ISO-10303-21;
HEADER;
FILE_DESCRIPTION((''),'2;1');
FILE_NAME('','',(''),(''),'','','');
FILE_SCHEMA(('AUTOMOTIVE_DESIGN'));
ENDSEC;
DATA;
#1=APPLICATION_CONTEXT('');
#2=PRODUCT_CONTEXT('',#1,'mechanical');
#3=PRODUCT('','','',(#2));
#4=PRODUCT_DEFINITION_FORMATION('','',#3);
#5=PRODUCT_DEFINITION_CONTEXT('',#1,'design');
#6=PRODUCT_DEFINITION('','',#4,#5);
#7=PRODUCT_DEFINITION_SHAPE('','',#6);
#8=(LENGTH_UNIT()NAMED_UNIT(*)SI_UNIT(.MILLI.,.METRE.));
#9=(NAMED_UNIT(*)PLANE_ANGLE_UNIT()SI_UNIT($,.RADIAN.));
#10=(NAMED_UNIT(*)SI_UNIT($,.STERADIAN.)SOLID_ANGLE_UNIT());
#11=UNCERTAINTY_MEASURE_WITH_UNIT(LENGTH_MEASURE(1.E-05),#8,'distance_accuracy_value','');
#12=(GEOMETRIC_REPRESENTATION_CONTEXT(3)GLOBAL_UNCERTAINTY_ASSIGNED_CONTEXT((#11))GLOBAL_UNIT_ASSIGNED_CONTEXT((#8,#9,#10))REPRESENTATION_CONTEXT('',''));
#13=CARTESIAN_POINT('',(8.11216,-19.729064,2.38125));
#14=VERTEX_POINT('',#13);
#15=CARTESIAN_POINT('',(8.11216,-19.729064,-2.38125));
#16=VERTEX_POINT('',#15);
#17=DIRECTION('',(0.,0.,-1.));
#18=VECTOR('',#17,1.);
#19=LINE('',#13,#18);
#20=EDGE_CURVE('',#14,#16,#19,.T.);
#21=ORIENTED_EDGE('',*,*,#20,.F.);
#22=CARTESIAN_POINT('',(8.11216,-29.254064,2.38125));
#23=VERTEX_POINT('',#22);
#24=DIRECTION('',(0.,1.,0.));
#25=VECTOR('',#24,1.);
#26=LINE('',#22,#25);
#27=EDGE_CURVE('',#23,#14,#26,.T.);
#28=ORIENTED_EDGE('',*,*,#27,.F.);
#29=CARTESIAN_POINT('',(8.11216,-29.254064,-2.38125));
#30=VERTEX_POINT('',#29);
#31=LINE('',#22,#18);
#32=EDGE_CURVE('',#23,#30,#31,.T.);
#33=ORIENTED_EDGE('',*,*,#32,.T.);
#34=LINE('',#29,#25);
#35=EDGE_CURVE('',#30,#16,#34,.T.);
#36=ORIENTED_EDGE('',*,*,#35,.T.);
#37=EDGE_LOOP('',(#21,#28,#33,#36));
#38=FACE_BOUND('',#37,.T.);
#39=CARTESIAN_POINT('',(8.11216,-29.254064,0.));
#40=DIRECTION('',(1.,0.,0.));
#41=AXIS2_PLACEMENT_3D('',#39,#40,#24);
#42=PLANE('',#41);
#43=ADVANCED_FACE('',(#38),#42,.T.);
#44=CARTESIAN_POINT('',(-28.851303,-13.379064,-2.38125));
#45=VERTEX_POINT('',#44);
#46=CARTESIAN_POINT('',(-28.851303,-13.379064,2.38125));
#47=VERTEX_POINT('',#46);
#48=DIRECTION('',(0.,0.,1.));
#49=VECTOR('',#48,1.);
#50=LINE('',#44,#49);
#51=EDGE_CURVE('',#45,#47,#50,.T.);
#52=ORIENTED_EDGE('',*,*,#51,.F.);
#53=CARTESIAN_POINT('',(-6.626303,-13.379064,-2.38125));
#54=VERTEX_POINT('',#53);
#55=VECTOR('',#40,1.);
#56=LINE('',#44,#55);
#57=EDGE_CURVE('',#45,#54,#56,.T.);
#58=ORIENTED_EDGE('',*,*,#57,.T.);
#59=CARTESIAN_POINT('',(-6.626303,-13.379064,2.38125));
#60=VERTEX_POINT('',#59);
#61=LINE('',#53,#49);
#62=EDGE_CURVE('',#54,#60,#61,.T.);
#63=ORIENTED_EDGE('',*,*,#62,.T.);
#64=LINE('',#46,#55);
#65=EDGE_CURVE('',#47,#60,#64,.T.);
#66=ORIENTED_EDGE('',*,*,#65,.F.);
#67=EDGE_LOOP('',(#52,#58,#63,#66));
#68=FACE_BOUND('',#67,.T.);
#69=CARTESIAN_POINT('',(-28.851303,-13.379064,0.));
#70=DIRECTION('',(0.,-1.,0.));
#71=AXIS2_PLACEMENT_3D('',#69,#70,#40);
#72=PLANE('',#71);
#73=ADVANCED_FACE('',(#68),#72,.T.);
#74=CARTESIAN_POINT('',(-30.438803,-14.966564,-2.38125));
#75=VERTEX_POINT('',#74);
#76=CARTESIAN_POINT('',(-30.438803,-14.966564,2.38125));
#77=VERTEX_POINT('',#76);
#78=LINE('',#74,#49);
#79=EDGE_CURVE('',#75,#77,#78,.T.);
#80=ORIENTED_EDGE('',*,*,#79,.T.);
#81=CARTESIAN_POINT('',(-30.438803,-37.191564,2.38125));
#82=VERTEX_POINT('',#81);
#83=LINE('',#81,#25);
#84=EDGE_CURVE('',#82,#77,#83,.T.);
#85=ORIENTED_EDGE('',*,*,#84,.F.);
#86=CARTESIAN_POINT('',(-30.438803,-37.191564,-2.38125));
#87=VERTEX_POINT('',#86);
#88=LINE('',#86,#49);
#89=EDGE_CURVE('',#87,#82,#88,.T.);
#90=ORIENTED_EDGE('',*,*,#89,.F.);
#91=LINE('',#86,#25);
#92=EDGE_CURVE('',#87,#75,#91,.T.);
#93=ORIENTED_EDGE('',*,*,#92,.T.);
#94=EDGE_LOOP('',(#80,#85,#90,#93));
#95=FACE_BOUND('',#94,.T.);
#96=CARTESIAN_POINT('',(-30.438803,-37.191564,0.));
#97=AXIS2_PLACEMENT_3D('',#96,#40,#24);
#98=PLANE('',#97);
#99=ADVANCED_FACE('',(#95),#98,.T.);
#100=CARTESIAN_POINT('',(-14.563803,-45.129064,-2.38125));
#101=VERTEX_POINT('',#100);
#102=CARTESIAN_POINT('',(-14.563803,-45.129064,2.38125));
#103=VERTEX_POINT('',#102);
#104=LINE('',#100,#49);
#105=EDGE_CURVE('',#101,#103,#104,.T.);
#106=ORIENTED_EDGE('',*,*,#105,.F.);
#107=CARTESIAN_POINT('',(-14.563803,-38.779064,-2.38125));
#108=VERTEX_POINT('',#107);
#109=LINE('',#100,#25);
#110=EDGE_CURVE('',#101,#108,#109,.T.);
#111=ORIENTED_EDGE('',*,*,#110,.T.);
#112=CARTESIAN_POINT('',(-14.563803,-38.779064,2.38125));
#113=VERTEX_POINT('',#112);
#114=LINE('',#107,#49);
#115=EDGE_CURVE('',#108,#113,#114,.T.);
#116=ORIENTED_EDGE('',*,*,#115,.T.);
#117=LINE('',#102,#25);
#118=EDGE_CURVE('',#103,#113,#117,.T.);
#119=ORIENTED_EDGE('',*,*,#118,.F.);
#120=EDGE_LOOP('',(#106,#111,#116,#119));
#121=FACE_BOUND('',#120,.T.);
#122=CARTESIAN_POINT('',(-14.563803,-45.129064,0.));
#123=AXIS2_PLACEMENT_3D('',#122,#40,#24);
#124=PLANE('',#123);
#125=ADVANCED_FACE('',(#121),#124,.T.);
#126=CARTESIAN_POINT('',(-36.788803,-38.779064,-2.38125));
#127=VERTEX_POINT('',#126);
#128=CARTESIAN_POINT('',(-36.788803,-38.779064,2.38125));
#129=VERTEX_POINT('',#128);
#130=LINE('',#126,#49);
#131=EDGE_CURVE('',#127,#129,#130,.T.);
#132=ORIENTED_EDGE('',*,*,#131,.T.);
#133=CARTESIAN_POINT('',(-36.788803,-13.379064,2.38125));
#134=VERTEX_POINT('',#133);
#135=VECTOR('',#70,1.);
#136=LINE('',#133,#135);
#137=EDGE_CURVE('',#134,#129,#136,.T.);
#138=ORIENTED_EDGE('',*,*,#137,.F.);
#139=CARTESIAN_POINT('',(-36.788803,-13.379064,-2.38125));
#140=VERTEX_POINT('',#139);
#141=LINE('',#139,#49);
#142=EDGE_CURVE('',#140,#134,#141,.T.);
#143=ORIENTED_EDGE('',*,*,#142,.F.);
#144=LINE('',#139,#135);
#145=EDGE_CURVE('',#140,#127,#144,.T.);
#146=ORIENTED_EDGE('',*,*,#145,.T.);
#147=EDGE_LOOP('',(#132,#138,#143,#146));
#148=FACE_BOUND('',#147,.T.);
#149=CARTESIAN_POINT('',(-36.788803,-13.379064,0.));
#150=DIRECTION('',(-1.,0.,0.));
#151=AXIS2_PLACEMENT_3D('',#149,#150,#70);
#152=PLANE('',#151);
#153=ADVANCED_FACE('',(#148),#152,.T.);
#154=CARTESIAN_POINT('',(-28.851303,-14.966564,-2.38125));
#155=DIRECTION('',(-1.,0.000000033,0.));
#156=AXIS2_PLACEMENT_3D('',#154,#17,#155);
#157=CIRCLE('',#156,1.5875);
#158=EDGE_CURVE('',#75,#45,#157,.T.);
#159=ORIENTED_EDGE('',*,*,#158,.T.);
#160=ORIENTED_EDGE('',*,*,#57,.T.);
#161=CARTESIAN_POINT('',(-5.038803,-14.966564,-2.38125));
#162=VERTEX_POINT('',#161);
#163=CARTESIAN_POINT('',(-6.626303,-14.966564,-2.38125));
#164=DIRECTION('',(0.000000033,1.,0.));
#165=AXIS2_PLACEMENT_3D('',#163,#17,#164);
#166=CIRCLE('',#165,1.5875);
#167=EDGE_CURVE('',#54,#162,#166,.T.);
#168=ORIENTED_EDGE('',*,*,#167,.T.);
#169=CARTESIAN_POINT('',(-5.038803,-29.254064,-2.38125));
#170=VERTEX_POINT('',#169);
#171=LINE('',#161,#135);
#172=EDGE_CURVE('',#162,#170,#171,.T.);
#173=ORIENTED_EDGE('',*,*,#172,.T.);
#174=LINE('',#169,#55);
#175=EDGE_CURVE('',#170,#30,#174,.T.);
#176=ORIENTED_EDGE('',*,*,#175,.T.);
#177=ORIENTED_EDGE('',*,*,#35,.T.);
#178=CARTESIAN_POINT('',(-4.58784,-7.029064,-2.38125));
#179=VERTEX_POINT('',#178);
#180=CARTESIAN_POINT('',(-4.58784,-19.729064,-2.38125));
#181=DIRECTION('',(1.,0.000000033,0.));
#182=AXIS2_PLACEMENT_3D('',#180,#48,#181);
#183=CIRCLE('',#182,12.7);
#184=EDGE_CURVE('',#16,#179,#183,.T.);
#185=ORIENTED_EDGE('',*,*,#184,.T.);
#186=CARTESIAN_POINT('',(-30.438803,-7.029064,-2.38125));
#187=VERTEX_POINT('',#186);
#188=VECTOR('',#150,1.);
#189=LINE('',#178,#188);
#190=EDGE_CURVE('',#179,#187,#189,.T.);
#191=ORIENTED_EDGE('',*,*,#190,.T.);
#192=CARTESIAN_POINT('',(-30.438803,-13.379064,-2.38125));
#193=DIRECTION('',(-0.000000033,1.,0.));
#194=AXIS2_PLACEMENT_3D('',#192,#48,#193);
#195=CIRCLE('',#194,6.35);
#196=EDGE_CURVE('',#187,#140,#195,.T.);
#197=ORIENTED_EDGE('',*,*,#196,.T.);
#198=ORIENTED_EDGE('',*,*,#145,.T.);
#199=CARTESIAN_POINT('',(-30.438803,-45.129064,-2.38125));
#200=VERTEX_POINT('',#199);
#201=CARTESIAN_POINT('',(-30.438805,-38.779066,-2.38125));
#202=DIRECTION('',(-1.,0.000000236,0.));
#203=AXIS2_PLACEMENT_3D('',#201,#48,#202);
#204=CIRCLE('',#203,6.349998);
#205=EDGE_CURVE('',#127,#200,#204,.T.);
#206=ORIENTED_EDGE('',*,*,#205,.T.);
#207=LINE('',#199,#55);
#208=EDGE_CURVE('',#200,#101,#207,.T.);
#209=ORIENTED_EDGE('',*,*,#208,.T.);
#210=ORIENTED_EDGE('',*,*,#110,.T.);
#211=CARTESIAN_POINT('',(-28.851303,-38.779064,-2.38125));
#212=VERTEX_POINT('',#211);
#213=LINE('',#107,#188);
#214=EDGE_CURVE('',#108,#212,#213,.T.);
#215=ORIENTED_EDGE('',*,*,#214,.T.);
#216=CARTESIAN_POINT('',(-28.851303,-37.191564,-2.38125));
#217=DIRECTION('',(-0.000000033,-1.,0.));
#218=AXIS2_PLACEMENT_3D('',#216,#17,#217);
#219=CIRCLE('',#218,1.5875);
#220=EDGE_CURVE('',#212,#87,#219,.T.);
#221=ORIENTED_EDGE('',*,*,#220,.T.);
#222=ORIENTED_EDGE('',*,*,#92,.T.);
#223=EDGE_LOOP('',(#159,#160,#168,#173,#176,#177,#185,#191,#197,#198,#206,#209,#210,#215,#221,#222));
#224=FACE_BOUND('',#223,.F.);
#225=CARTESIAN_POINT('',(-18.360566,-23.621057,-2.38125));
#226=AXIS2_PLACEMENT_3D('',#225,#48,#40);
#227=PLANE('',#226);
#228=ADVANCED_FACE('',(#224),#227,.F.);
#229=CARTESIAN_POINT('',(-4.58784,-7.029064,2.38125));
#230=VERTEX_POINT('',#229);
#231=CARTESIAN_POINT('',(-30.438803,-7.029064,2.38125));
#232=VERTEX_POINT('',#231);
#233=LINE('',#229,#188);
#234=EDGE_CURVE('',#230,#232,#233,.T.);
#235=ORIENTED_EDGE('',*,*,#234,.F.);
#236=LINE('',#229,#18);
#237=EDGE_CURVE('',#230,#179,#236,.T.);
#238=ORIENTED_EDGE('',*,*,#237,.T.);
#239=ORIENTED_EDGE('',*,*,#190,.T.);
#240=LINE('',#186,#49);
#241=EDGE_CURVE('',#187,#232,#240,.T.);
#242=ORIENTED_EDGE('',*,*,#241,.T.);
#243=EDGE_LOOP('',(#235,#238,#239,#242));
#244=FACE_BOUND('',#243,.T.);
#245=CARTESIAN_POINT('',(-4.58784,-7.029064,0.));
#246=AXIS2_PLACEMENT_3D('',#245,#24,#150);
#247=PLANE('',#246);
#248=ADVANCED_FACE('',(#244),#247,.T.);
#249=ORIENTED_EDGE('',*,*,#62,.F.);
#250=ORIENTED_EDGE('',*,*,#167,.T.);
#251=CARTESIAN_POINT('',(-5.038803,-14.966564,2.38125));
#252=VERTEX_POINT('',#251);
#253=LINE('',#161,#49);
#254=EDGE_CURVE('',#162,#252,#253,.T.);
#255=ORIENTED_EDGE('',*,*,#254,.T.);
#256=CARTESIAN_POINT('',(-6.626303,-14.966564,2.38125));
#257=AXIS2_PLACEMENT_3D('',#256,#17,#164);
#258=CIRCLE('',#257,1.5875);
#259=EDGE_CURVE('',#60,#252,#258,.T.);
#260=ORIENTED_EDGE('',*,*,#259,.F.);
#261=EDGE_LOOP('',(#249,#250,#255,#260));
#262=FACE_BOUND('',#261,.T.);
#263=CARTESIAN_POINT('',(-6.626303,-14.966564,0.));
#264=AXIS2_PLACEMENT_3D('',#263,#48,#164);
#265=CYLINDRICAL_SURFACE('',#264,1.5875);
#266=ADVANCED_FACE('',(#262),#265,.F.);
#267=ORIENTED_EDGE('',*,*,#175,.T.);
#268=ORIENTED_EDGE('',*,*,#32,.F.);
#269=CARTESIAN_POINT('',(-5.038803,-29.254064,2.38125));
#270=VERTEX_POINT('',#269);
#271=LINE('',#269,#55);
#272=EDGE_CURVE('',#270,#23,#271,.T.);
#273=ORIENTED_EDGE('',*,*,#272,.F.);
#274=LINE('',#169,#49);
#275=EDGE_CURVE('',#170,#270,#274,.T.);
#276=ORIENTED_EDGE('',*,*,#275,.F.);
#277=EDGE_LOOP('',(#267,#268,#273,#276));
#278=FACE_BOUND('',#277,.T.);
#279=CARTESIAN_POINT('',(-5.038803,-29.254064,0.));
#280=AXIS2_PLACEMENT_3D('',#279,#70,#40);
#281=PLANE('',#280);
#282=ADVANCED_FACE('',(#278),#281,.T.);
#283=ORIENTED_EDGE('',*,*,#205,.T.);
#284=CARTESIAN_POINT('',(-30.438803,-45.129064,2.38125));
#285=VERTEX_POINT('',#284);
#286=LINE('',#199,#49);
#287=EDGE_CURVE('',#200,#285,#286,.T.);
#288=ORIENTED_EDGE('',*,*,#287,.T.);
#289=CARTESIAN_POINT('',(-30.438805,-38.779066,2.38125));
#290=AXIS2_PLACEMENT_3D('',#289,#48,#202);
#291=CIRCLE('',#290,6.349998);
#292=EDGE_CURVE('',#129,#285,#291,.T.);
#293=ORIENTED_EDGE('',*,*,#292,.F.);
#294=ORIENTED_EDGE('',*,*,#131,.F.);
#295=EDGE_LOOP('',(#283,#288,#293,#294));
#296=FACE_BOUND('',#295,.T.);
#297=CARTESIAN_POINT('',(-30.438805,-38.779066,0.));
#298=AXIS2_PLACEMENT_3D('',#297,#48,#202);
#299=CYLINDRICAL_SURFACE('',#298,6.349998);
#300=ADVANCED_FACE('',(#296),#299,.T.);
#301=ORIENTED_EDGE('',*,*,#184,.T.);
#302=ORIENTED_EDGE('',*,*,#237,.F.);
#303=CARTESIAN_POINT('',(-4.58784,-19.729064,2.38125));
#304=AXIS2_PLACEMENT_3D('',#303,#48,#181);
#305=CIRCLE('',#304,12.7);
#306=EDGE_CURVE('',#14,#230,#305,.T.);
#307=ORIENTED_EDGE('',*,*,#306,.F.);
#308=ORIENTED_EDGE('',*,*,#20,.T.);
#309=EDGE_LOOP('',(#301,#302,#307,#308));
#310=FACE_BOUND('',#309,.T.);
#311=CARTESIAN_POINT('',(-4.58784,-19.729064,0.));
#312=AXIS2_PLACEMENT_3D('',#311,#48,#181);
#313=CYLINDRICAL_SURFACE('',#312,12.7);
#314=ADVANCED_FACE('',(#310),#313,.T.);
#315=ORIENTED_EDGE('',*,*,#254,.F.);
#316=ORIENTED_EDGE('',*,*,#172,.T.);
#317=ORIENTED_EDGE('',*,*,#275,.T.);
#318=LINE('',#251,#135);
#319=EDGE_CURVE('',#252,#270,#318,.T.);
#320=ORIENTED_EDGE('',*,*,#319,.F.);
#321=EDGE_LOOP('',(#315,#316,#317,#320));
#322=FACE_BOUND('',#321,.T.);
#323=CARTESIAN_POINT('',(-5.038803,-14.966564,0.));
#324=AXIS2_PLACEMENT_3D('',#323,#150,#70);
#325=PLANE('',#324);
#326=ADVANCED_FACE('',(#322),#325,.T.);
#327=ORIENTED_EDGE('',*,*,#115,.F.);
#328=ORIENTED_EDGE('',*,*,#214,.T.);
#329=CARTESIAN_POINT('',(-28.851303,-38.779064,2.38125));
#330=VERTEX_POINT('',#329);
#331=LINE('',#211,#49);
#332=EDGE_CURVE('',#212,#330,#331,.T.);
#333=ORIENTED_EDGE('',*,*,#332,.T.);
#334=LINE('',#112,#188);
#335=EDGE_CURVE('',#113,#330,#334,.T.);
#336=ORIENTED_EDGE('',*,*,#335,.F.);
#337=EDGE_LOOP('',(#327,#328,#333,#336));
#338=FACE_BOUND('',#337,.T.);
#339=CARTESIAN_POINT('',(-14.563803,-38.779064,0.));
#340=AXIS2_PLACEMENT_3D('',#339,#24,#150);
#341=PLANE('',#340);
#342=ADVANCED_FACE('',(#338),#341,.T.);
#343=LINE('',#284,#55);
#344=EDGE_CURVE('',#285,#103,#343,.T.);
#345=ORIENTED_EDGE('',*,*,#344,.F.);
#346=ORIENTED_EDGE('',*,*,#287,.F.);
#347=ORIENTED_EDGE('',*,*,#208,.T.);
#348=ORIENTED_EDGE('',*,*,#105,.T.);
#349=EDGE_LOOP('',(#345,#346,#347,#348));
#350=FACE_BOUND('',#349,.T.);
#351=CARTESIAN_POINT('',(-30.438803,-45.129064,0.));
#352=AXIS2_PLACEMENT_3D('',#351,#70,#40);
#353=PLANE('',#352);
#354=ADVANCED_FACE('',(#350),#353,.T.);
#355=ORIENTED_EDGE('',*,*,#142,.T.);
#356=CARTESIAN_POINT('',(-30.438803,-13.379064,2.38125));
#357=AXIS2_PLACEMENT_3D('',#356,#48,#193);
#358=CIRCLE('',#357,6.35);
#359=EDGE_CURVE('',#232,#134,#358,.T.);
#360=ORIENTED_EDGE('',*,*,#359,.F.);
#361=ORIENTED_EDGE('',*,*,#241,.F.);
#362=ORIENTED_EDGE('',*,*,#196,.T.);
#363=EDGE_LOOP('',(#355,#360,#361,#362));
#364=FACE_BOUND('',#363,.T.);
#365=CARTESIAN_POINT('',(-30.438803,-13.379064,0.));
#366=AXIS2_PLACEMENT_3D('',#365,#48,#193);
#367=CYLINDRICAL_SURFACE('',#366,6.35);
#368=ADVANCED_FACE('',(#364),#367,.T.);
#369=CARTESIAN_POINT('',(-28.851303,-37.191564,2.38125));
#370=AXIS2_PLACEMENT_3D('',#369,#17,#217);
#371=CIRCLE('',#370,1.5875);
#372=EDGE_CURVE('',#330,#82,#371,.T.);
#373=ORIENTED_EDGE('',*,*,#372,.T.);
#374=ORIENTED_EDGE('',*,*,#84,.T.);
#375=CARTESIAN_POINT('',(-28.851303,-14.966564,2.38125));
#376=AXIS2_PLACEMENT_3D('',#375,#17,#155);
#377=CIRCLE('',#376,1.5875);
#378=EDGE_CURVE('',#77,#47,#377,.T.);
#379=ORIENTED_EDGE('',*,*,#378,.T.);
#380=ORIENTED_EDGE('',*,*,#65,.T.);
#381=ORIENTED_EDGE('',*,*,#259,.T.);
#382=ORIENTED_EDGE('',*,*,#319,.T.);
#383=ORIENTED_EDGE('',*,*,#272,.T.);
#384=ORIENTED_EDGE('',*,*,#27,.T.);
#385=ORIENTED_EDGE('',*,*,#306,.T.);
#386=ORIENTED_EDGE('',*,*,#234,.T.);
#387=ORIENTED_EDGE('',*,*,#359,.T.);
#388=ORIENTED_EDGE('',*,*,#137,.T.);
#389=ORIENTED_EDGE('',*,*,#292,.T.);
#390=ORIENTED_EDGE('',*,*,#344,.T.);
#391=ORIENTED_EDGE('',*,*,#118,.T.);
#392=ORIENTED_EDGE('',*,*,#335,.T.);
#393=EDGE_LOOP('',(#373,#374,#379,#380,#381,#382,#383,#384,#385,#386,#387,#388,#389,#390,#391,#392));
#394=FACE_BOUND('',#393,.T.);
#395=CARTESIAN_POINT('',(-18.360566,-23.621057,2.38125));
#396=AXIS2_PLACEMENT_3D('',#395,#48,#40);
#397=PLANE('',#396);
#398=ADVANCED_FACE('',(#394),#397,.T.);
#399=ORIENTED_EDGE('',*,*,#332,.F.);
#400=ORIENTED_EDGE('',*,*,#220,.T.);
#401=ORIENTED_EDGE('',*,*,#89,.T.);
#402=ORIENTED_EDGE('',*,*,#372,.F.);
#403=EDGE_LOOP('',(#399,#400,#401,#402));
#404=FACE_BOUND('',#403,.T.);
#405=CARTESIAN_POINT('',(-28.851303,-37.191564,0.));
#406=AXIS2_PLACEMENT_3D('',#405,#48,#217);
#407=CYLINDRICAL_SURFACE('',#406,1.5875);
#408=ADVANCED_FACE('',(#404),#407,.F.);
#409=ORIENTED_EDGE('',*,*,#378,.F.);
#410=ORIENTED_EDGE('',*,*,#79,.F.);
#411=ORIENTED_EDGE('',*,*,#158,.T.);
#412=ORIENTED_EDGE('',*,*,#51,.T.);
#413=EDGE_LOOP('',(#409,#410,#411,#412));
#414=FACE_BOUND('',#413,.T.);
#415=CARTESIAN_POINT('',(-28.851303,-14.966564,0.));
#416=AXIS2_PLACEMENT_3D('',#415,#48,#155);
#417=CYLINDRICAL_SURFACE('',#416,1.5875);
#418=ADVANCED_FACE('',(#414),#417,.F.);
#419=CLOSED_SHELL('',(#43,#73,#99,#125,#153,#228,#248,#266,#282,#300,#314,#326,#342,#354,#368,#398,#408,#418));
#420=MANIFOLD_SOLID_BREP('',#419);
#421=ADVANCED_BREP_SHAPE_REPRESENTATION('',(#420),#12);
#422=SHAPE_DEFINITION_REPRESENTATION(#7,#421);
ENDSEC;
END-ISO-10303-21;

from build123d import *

# Parameters (mm, degrees)
F1_DEPTH = 2.38125


with BuildPart() as f1:
    # F0 (on Top) → F1 (new body, symmetric)
    with BuildSketch(Plane.XY):
        with BuildLine():
            Line((-4.58784, -7.029064), (-30.438803, -7.029064))
            ThreePointArc((-30.438803, -7.029064), (-34.928931, -8.888936), (-36.788803, -13.379064))
            Line((-36.788803, -13.379064), (-36.788803, -38.779064))
            ThreePointArc((-36.788803, -38.779064), (-34.928931, -43.269193), (-30.438803, -45.129064))
            Line((-30.438803, -45.129064), (-14.563803, -45.129064))
            Line((-14.563803, -45.129064), (-14.563803, -38.779064))
            Line((-14.563803, -38.779064), (-28.851303, -38.779064))
            ThreePointArc((-28.851303, -38.779064), (-29.973835, -38.314096), (-30.438803, -37.191564))
            Line((-30.438803, -37.191564), (-30.438803, -14.966564))
            ThreePointArc((-30.438803, -14.966564), (-29.973835, -13.844032), (-28.851303, -13.379064))
            Line((-28.851303, -13.379064), (-6.626303, -13.379064))
            ThreePointArc((-6.626303, -13.379064), (-5.503771, -13.844032), (-5.038803, -14.966564))
            Line((-5.038803, -14.966564), (-5.038803, -29.254064))
            Line((-5.038803, -29.254064), (1.311197, -29.254064))
            Line((1.311197, -29.254064), (8.11216, -29.254064))
            Line((8.11216, -29.254064), (8.11216, -19.729064))
            ThreePointArc((8.11216, -19.729064), (4.392416, -10.748808), (-4.58784, -7.029064))
        make_face()
    extrude(amount=F1_DEPTH, both=True)


solid = f1.part
